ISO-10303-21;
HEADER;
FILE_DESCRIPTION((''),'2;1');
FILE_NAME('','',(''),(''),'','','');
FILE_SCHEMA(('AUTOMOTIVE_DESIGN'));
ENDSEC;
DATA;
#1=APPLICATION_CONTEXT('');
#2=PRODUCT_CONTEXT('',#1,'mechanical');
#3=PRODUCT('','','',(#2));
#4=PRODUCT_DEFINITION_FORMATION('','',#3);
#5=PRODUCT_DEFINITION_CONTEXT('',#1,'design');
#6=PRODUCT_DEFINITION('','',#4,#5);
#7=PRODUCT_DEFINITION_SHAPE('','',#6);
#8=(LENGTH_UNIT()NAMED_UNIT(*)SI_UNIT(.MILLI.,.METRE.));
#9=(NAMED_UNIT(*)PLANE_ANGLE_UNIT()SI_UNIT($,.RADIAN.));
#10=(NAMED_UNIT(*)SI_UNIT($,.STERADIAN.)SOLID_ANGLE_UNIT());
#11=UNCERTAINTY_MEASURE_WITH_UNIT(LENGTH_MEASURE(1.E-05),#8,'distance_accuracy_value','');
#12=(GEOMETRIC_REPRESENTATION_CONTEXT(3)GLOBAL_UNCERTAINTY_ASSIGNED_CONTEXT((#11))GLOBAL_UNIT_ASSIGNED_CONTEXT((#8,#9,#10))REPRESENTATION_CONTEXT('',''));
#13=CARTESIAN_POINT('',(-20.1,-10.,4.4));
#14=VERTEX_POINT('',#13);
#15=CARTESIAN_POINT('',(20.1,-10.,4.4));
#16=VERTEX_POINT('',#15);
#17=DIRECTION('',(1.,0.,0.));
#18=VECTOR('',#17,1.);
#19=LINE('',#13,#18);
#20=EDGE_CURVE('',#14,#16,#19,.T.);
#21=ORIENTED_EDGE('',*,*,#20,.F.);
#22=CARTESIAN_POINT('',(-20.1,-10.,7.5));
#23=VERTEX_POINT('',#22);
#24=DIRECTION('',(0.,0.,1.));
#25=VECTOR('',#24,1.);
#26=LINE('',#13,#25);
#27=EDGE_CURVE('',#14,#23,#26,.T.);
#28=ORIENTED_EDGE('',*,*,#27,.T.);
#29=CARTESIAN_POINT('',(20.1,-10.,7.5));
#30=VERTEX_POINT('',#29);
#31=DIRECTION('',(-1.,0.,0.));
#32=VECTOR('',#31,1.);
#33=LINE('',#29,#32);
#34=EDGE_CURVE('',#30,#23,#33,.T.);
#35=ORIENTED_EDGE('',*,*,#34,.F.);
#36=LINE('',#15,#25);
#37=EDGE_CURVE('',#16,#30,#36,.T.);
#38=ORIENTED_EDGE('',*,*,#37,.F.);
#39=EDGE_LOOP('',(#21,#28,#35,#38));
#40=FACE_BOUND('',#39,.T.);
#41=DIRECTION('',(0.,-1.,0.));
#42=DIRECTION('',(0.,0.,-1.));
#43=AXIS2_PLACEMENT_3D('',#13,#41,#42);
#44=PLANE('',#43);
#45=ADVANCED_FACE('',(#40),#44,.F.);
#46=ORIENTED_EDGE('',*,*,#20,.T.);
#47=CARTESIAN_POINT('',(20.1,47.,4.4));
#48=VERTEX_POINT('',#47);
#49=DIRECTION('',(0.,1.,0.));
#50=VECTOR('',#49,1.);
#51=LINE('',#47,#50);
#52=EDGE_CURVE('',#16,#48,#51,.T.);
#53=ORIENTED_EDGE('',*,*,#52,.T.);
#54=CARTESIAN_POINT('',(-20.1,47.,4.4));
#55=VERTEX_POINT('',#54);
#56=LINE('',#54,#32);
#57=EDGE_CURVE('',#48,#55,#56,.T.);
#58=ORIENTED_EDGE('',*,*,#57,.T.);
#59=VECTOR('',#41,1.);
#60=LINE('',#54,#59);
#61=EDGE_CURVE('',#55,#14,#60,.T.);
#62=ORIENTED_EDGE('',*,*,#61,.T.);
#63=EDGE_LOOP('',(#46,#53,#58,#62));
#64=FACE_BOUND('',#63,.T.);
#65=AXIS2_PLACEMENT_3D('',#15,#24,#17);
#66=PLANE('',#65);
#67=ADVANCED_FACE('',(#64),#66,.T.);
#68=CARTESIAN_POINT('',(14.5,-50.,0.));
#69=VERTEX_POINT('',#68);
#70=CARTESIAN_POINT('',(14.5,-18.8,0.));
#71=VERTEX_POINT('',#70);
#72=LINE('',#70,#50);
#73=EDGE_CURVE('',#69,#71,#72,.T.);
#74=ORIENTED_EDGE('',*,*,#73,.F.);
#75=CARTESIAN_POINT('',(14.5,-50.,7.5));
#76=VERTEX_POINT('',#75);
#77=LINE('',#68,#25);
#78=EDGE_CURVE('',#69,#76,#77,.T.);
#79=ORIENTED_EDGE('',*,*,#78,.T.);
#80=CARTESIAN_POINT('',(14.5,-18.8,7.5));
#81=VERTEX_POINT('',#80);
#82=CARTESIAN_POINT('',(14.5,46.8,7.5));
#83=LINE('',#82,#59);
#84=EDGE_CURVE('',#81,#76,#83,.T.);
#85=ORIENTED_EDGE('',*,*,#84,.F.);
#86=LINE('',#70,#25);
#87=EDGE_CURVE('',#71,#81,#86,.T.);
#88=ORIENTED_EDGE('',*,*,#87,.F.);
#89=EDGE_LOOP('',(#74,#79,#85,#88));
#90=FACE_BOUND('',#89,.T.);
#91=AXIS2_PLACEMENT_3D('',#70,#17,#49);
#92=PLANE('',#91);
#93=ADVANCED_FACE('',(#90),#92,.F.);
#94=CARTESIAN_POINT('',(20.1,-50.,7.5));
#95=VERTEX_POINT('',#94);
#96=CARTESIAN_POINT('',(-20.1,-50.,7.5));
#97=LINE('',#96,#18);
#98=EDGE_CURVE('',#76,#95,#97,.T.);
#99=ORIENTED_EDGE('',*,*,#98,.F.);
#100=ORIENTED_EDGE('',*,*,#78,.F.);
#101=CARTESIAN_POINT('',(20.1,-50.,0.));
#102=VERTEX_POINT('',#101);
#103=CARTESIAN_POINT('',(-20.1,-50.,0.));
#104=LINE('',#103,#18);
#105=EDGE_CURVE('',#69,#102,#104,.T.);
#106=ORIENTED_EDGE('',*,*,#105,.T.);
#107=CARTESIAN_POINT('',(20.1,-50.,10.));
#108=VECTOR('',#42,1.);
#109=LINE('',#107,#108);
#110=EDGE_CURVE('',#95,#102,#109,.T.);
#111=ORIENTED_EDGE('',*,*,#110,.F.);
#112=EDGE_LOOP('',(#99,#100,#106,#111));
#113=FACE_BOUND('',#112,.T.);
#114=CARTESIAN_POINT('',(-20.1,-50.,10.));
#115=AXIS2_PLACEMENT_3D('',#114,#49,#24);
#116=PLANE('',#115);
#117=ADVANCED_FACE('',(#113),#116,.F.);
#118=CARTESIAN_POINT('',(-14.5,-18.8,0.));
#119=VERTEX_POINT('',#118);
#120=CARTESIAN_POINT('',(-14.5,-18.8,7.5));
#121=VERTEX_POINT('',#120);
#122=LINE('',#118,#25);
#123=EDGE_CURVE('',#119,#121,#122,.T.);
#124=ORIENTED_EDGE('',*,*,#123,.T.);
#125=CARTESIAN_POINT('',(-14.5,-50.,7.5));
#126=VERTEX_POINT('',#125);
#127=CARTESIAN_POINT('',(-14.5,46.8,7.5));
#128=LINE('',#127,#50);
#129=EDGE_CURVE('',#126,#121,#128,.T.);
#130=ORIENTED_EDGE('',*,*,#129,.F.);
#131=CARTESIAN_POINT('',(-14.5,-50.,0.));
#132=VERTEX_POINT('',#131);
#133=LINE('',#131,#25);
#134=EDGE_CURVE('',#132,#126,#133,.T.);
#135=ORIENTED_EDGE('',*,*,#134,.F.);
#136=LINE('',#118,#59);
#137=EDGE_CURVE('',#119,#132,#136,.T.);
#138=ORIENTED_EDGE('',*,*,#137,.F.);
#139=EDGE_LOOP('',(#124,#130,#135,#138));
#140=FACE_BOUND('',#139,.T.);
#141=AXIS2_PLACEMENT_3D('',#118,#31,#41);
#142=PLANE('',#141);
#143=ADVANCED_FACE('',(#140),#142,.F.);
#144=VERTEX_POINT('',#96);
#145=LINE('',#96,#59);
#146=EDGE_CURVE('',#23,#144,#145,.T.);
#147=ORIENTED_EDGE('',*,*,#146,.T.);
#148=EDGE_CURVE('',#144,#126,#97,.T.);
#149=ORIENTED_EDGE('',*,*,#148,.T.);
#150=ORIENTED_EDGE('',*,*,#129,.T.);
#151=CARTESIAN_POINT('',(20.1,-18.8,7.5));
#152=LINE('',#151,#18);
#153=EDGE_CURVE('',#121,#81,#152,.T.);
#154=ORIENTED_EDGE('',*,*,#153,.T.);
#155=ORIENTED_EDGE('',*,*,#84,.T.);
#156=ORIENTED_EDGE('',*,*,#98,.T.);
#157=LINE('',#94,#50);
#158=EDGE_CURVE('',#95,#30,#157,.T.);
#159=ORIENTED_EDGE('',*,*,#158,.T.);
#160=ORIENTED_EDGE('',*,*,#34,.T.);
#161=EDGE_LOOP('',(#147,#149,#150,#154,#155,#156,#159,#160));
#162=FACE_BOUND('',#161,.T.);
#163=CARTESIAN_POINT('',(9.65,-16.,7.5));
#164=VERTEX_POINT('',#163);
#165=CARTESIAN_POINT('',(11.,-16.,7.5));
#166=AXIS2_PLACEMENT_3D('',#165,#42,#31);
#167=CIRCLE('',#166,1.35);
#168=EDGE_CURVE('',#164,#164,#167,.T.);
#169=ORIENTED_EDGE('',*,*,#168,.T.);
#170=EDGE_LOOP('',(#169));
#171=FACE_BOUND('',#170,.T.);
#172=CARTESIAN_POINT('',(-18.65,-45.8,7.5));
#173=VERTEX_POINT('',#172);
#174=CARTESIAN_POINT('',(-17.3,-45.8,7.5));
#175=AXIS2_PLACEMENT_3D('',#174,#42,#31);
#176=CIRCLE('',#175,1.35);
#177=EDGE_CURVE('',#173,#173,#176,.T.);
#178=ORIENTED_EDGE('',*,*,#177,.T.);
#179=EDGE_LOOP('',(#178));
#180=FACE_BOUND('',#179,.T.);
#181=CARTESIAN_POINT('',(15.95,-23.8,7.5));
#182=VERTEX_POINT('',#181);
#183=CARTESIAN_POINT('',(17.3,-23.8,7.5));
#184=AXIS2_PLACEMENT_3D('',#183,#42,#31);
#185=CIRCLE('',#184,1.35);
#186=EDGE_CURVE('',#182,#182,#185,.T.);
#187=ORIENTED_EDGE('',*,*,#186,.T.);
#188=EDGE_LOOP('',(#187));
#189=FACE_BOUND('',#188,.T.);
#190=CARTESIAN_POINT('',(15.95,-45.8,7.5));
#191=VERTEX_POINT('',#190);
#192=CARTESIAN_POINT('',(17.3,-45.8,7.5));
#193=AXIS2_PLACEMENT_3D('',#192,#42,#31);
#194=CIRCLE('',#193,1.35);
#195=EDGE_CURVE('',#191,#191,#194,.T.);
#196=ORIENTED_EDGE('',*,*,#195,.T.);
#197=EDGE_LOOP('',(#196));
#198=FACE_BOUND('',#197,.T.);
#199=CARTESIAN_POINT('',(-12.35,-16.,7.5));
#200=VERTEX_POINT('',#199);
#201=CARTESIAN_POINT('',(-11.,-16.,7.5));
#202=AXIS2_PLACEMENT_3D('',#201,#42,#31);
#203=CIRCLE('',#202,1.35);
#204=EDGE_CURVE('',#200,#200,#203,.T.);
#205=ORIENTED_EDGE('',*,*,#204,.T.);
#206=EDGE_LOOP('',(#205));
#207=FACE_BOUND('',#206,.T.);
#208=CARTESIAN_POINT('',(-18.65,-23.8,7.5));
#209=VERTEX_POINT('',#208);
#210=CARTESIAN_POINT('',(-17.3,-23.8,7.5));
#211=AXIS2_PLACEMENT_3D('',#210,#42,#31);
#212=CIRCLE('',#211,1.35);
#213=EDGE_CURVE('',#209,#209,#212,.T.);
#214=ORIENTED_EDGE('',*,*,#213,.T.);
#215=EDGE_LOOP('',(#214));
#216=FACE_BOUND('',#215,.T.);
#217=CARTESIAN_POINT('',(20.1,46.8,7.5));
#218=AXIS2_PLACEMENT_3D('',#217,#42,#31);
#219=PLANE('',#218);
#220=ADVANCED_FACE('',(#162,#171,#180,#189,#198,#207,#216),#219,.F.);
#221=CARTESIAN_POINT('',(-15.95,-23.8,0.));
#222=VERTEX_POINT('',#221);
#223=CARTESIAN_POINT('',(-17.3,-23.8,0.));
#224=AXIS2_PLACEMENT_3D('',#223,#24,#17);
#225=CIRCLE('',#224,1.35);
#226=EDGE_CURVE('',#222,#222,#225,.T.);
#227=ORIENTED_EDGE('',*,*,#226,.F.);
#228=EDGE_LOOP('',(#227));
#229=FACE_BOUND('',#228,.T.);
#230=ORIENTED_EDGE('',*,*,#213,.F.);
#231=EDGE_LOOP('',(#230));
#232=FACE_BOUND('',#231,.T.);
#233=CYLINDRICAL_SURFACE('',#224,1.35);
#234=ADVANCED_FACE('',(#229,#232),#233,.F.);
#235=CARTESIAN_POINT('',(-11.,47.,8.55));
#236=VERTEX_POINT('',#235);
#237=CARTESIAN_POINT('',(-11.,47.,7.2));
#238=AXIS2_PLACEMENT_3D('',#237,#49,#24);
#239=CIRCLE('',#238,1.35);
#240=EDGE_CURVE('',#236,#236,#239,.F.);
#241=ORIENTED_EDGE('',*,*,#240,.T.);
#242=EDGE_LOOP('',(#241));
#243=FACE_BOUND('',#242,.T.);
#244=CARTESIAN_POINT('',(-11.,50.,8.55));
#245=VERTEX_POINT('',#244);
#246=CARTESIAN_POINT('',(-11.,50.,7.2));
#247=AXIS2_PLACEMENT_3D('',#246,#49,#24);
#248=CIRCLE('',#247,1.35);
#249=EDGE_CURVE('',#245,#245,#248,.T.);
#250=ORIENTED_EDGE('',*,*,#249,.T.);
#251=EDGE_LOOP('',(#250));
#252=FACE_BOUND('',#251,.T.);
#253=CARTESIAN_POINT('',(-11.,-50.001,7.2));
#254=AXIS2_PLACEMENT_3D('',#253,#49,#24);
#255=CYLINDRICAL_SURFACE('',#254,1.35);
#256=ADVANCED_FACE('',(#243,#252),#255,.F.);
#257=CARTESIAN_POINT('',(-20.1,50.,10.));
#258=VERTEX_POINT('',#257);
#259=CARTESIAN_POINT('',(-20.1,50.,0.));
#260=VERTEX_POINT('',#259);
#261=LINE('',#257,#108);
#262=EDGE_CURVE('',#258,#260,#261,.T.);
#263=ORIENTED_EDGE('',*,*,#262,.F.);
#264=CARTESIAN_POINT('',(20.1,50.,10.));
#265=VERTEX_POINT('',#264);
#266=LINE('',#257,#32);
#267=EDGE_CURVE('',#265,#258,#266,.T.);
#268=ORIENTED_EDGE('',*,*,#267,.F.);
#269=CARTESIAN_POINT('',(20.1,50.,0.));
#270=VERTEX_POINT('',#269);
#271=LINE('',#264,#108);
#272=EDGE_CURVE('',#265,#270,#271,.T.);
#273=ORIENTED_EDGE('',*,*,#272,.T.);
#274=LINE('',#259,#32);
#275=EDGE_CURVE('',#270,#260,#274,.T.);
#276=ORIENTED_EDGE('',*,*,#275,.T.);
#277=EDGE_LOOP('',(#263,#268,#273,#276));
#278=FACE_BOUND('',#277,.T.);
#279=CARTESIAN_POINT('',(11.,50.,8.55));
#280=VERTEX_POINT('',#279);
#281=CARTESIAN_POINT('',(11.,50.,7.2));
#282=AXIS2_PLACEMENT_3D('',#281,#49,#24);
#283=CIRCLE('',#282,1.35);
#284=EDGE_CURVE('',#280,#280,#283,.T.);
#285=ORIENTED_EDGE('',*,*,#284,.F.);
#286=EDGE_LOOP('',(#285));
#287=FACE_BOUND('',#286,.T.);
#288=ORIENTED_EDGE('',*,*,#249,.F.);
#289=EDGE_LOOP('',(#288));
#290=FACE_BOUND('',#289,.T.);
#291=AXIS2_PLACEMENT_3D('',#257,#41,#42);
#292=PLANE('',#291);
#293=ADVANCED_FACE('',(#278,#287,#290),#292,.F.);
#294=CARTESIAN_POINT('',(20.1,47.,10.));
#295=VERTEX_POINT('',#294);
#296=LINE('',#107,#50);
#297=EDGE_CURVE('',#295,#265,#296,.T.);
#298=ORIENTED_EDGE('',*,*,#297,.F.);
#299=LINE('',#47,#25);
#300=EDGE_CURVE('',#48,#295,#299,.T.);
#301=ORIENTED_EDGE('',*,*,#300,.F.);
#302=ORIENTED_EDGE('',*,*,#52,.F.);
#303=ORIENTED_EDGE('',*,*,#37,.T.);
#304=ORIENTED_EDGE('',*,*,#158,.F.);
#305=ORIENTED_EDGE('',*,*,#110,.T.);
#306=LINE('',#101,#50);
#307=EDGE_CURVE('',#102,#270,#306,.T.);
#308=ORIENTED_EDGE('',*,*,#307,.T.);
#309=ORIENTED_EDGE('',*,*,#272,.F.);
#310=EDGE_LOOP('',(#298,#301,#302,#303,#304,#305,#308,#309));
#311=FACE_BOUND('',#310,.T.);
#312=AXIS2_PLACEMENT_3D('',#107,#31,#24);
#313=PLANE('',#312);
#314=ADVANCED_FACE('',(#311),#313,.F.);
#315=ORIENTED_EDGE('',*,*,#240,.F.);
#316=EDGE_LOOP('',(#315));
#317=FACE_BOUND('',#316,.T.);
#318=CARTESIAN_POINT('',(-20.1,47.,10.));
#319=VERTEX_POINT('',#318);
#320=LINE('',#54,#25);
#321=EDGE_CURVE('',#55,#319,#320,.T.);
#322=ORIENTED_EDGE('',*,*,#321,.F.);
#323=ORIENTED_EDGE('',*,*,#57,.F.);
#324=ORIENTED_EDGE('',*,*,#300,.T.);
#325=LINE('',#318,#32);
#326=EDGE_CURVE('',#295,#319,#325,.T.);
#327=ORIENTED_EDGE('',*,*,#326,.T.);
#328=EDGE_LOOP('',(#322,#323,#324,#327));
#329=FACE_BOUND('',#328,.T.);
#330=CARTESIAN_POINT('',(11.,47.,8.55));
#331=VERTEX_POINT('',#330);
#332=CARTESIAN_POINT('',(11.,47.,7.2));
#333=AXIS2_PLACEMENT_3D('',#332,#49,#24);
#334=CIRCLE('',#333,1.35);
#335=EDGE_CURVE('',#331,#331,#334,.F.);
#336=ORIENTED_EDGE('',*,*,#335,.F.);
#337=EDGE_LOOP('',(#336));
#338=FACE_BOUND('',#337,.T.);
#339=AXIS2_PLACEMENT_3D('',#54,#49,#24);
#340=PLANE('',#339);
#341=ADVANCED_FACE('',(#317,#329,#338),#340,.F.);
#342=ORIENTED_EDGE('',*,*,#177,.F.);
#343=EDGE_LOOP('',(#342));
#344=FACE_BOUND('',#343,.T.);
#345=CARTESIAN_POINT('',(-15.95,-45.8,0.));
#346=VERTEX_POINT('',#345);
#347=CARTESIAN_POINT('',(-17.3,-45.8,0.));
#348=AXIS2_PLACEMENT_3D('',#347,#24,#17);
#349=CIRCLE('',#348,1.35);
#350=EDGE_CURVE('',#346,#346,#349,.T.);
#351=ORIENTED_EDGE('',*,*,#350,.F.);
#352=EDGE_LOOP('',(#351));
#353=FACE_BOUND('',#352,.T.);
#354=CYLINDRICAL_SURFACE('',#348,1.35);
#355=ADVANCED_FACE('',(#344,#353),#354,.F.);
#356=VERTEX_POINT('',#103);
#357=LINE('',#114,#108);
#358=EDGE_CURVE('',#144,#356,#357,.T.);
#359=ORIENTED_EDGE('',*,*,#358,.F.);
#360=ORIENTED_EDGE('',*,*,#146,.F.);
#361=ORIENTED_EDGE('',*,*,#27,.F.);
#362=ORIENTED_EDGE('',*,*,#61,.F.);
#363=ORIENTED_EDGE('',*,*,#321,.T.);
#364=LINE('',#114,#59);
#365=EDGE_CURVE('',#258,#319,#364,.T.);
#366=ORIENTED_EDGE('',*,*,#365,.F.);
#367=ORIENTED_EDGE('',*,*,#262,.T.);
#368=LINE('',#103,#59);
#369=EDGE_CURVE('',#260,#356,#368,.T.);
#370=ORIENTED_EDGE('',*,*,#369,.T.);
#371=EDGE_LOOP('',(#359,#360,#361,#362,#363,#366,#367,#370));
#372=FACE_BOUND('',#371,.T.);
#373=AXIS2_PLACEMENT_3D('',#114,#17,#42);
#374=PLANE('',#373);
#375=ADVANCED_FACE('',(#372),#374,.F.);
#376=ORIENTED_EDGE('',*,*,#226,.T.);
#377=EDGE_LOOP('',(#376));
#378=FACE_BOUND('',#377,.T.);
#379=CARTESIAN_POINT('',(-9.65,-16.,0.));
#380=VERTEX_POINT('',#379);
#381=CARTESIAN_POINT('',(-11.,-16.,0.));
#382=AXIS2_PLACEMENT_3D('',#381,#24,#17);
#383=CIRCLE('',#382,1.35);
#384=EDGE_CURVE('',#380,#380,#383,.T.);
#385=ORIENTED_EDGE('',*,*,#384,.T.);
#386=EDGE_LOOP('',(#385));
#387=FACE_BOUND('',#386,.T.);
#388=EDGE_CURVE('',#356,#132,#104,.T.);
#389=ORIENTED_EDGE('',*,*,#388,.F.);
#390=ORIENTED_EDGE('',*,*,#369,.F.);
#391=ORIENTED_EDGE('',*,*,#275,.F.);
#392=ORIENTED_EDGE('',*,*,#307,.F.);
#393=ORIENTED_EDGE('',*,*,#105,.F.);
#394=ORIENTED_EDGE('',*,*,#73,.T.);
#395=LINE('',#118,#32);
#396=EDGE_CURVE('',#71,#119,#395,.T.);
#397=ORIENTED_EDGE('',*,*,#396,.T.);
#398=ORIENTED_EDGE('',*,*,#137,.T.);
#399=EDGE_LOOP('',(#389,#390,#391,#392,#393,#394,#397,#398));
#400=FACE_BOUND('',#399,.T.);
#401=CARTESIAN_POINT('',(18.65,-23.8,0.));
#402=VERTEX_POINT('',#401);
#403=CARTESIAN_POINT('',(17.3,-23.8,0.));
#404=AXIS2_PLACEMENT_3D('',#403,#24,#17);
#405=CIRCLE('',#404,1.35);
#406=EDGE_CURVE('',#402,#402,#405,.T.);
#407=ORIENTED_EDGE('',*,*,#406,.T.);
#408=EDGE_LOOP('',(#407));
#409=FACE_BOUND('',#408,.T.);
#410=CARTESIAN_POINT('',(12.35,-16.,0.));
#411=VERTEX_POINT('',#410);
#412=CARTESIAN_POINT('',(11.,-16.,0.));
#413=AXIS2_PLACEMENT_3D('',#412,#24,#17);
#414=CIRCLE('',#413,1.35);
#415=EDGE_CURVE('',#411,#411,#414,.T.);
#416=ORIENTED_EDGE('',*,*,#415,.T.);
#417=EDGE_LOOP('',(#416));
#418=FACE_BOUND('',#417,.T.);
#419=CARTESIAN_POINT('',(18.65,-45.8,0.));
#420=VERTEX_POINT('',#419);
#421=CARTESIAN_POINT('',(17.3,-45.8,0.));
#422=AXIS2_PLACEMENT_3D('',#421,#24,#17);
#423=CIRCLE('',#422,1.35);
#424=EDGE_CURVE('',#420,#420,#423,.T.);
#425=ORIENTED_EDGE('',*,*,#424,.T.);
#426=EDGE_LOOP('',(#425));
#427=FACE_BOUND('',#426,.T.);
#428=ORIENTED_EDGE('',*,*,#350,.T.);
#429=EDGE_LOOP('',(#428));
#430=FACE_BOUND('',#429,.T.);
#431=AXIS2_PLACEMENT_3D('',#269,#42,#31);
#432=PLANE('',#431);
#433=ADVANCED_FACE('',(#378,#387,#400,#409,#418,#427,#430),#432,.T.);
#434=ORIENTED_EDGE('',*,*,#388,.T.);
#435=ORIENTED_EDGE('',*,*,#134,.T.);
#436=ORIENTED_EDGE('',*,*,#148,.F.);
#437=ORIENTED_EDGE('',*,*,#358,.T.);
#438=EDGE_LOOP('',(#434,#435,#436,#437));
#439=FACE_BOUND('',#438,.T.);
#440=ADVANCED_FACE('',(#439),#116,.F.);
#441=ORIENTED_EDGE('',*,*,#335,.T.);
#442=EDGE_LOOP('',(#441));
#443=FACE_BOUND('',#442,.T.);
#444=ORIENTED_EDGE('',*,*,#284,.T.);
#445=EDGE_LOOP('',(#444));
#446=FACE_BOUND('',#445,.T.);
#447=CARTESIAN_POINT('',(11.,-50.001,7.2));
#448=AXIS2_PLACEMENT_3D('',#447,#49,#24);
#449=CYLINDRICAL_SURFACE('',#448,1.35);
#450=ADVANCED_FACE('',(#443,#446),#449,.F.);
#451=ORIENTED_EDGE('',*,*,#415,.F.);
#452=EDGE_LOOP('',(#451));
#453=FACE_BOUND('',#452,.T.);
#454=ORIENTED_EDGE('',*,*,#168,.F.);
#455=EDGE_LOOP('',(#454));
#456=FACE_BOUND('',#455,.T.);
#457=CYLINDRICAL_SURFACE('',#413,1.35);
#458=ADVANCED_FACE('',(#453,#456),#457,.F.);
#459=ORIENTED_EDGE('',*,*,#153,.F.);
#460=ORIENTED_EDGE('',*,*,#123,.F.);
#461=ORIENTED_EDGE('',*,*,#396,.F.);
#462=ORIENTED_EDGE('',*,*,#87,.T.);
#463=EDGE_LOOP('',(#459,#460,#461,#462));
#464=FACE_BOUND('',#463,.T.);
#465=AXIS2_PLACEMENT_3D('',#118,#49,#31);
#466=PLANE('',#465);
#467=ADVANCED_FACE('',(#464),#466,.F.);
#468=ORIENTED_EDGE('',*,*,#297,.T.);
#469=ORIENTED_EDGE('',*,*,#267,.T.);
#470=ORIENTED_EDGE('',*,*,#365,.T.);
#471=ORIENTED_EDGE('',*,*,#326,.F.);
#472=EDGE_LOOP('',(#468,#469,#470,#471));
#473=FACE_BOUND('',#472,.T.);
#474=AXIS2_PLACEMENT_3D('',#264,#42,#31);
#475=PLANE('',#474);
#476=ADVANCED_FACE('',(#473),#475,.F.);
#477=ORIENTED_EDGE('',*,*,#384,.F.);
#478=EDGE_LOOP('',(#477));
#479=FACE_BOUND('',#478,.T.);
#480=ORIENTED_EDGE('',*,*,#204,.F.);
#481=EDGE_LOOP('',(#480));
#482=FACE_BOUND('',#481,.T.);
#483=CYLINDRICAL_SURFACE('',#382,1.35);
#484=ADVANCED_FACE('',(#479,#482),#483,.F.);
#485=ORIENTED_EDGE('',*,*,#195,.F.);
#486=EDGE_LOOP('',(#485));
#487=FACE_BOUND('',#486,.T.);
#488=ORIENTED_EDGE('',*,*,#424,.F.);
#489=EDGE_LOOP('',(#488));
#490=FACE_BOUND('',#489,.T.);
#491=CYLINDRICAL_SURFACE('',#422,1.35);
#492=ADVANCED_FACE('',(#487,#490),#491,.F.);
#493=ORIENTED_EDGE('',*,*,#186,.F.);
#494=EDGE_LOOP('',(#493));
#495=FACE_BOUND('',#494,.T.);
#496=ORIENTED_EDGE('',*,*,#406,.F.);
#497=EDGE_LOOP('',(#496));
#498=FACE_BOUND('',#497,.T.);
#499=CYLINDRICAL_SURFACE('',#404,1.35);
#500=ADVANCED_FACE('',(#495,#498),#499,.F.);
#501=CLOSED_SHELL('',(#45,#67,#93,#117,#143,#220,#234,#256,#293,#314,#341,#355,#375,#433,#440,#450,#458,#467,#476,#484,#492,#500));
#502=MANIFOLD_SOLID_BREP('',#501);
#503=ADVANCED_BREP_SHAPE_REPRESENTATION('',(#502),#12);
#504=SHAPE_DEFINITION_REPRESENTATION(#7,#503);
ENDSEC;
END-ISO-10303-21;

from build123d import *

# Parameters (mm, degrees)
SKETCH1_W           = 40.2
SKETCH1_H           = 100
BOSS_EXTRUDE1_DEPTH = 10
SKETCH7_W           = 40.2
SKETCH7_H           = 96.8
CUT_EXTRUDE5_DEPTH  = 2.5
SKETCH4_W           = 40.2
SKETCH4_H           = 57
CUT_EXTRUDE1_DEPTH  = 5.6
SKETCH3_W           = 29
SKETCH3_H           = 31.2
CUT_EXTRUDE2_DEPTH  = 11
SKETCH2_R           = 1.35
CUT_EXTRUDE3_DEPTH  = 11
CUT_EXTRUDE4_REACH  = 102
SKETCH6_R           = 1.35


with BuildPart() as part:
    # Sketch1 → Boss-Extrude1 (new body)
    with BuildSketch(Plane.XY):
        Rectangle(SKETCH1_W, SKETCH1_H)
    extrude(amount=BOSS_EXTRUDE1_DEPTH)

    # Sketch7 → Cut-Extrude5 (cut)
    with BuildSketch(Plane.XY.offset(10)):
        with Locations((0, -1.6)):
            Rectangle(SKETCH7_W, SKETCH7_H)
    extrude(amount=-CUT_EXTRUDE5_DEPTH, mode=Mode.SUBTRACT)

    # Sketch4 → Cut-Extrude1 (cut)
    with BuildSketch(Plane.XY.offset(10)):
        with Locations((0, 18.5)):
            Rectangle(SKETCH4_W, SKETCH4_H)
    extrude(amount=-CUT_EXTRUDE1_DEPTH, mode=Mode.SUBTRACT)

    # Sketch3 → Cut-Extrude2 (cut, through all)
    with BuildSketch(Plane.XY.offset(10)):
        with Locations((0, -34.4)):
            Rectangle(SKETCH3_W, SKETCH3_H)
    extrude(amount=-CUT_EXTRUDE2_DEPTH, mode=Mode.SUBTRACT)

    # Sketch2 → Cut-Extrude3 (cut, through all)
    with BuildSketch(Plane.XY.offset(10)):
        with Locations((17.3, -23.8)):
            Circle(SKETCH2_R)
        with Locations((11, -16)):
            Circle(SKETCH2_R)
        with Locations((-17.3, -23.8)):
            Circle(SKETCH2_R)
        with Locations((-11, -16)):
            Circle(SKETCH2_R)
        with Locations((-17.3, -45.8)):
            Circle(SKETCH2_R)
        with Locations((17.3, -45.8)):
            Circle(SKETCH2_R)
    extrude(amount=-CUT_EXTRUDE3_DEPTH, mode=Mode.SUBTRACT)

    # Sketch6 → Cut-Extrude4 (cut, up to next)
    with BuildSketch(Plane(origin=(0, 50, 0), x_dir=(-1, 0, 0), z_dir=(0, 1, 0)), mode=Mode.PRIVATE) as cut_extrude4_sk1:
        with Locations((-11, 7.2)):
            Circle(SKETCH6_R)
    cut_extrude4_tool1 = extrude(cut_extrude4_sk1.sketch, amount=-CUT_EXTRUDE4_REACH, mode=Mode.PRIVATE) & part.part
    add(cut_extrude4_tool1.solids().sort_by_distance((11, 50, 7.2))[0], mode=Mode.SUBTRACT)
    # Sketch6 → Cut-Extrude4 (cut, up to next)
    with BuildSketch(Plane(origin=(0, 50, 0), x_dir=(-1, 0, 0), z_dir=(0, 1, 0)), mode=Mode.PRIVATE) as cut_extrude4_sk2:
        with Locations((11, 7.2)):
            Circle(SKETCH6_R)
    cut_extrude4_tool2 = extrude(cut_extrude4_sk2.sketch, amount=-CUT_EXTRUDE4_REACH, mode=Mode.PRIVATE) & part.part
    add(cut_extrude4_tool2.solids().sort_by_distance((-11, 50, 7.2))[0], mode=Mode.SUBTRACT)


solid = part.part
